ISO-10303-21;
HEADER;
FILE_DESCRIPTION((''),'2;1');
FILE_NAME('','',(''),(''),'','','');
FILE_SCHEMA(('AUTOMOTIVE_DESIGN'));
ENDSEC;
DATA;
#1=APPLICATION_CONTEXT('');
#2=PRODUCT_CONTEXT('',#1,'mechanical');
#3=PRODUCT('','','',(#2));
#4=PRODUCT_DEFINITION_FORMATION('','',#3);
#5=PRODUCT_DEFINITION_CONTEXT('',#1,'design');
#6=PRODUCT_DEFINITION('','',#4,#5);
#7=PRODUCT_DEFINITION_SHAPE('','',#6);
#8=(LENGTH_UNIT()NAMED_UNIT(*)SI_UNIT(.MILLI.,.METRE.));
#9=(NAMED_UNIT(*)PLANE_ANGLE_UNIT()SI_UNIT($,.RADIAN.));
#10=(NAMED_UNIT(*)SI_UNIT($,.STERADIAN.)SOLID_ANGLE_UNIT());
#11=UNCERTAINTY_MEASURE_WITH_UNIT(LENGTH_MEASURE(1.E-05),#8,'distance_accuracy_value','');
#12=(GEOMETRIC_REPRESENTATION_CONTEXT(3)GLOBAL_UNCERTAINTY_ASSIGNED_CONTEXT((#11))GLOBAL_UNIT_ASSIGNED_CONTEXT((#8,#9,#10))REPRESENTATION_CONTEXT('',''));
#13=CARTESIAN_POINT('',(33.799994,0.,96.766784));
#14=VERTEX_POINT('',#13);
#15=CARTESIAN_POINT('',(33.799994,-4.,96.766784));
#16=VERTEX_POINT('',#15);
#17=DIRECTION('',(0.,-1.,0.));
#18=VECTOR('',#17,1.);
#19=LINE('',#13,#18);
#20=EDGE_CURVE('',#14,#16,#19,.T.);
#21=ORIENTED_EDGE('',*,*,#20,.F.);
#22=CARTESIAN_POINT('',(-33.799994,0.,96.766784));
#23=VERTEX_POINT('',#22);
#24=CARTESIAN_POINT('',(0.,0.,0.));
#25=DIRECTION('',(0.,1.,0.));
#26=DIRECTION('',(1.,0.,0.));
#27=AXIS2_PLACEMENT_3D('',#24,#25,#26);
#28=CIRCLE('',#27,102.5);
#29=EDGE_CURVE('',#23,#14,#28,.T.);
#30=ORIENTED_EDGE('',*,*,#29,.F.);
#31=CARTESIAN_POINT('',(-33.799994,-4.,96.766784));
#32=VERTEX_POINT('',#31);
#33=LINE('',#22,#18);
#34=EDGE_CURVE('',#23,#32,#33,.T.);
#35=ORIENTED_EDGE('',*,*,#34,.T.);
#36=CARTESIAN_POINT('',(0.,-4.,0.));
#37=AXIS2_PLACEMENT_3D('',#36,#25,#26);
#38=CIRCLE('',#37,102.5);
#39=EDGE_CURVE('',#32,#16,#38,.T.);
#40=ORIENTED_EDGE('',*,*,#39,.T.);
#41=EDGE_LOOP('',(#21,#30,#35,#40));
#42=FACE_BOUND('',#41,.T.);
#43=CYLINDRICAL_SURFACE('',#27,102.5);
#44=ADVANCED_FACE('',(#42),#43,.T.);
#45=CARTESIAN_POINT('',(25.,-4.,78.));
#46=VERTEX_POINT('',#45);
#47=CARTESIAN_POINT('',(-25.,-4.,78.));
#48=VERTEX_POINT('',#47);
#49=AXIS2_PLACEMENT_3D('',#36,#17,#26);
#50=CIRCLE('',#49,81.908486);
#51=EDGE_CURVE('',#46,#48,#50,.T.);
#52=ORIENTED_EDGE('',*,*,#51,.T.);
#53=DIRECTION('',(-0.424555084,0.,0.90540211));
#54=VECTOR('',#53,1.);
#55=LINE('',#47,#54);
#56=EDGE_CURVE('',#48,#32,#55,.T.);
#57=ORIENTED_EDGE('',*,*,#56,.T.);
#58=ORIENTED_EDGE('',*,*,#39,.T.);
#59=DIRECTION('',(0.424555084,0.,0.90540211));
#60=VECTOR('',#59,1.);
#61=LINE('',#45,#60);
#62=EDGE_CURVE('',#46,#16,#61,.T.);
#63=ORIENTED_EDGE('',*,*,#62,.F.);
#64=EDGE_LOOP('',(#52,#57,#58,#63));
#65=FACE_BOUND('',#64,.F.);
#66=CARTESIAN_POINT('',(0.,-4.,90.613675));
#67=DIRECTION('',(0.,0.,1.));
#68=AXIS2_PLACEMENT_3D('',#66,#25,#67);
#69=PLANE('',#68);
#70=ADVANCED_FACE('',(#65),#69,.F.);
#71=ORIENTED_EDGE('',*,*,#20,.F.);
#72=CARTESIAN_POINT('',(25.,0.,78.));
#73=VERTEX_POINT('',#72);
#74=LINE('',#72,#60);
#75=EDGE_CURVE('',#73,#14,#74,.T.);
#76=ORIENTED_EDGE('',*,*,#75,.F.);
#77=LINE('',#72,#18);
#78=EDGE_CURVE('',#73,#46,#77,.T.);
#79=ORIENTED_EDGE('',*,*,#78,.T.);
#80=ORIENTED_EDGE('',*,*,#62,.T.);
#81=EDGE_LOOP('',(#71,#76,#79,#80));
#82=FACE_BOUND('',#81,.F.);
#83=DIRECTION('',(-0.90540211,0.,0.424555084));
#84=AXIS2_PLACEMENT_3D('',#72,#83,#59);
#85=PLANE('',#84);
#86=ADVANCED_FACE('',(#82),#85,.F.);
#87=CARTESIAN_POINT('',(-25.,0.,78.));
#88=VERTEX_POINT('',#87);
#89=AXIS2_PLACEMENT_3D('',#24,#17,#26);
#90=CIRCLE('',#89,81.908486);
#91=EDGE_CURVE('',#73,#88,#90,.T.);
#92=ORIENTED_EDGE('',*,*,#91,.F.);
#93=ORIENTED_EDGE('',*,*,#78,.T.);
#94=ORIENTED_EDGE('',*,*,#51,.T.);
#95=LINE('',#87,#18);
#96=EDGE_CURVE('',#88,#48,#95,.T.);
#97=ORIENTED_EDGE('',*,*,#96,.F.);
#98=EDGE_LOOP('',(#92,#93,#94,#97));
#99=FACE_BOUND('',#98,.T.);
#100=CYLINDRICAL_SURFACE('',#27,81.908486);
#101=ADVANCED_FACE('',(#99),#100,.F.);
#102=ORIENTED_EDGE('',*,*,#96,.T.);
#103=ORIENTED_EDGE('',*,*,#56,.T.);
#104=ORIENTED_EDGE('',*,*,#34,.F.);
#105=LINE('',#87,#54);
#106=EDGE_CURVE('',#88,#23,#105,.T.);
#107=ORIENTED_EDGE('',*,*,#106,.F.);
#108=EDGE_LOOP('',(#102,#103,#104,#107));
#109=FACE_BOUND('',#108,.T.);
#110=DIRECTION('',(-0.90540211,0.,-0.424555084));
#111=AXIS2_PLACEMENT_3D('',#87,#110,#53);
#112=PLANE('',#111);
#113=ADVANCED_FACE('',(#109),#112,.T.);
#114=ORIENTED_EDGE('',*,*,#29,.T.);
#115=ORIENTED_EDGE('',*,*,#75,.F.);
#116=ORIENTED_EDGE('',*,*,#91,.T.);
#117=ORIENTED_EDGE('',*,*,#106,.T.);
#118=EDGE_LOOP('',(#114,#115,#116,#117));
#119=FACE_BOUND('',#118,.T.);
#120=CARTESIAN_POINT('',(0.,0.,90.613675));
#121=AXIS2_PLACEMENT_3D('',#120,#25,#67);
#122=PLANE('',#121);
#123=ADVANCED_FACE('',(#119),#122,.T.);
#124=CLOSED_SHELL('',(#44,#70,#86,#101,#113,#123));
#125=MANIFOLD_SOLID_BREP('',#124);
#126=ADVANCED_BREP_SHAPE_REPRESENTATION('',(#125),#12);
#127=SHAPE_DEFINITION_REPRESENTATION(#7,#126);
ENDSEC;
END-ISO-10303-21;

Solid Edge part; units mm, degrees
sketch "Sketch1" plane through (10.8674, 0, 10.8674) normal (0, -1, 0) x (1, 0, 0)
  line L0 (-35.8674, 67.1326) -> (-44.6674, 85.8994)
  arc A0 (-44.6674, 85.8994) -> (22.9326, 85.8994) centre (-10.8674, -10.8674) cw
  line L1 (14.1326, 67.1326) -> (22.9326, 85.8994)
  arc A1 (14.1326, 67.1326) -> (-35.8674, 67.1326) centre (-10.8674, -10.8674) ccw
extrude "Protrusion1" add sketch "Sketch1" along normal blind 4
properties material "Resin"
